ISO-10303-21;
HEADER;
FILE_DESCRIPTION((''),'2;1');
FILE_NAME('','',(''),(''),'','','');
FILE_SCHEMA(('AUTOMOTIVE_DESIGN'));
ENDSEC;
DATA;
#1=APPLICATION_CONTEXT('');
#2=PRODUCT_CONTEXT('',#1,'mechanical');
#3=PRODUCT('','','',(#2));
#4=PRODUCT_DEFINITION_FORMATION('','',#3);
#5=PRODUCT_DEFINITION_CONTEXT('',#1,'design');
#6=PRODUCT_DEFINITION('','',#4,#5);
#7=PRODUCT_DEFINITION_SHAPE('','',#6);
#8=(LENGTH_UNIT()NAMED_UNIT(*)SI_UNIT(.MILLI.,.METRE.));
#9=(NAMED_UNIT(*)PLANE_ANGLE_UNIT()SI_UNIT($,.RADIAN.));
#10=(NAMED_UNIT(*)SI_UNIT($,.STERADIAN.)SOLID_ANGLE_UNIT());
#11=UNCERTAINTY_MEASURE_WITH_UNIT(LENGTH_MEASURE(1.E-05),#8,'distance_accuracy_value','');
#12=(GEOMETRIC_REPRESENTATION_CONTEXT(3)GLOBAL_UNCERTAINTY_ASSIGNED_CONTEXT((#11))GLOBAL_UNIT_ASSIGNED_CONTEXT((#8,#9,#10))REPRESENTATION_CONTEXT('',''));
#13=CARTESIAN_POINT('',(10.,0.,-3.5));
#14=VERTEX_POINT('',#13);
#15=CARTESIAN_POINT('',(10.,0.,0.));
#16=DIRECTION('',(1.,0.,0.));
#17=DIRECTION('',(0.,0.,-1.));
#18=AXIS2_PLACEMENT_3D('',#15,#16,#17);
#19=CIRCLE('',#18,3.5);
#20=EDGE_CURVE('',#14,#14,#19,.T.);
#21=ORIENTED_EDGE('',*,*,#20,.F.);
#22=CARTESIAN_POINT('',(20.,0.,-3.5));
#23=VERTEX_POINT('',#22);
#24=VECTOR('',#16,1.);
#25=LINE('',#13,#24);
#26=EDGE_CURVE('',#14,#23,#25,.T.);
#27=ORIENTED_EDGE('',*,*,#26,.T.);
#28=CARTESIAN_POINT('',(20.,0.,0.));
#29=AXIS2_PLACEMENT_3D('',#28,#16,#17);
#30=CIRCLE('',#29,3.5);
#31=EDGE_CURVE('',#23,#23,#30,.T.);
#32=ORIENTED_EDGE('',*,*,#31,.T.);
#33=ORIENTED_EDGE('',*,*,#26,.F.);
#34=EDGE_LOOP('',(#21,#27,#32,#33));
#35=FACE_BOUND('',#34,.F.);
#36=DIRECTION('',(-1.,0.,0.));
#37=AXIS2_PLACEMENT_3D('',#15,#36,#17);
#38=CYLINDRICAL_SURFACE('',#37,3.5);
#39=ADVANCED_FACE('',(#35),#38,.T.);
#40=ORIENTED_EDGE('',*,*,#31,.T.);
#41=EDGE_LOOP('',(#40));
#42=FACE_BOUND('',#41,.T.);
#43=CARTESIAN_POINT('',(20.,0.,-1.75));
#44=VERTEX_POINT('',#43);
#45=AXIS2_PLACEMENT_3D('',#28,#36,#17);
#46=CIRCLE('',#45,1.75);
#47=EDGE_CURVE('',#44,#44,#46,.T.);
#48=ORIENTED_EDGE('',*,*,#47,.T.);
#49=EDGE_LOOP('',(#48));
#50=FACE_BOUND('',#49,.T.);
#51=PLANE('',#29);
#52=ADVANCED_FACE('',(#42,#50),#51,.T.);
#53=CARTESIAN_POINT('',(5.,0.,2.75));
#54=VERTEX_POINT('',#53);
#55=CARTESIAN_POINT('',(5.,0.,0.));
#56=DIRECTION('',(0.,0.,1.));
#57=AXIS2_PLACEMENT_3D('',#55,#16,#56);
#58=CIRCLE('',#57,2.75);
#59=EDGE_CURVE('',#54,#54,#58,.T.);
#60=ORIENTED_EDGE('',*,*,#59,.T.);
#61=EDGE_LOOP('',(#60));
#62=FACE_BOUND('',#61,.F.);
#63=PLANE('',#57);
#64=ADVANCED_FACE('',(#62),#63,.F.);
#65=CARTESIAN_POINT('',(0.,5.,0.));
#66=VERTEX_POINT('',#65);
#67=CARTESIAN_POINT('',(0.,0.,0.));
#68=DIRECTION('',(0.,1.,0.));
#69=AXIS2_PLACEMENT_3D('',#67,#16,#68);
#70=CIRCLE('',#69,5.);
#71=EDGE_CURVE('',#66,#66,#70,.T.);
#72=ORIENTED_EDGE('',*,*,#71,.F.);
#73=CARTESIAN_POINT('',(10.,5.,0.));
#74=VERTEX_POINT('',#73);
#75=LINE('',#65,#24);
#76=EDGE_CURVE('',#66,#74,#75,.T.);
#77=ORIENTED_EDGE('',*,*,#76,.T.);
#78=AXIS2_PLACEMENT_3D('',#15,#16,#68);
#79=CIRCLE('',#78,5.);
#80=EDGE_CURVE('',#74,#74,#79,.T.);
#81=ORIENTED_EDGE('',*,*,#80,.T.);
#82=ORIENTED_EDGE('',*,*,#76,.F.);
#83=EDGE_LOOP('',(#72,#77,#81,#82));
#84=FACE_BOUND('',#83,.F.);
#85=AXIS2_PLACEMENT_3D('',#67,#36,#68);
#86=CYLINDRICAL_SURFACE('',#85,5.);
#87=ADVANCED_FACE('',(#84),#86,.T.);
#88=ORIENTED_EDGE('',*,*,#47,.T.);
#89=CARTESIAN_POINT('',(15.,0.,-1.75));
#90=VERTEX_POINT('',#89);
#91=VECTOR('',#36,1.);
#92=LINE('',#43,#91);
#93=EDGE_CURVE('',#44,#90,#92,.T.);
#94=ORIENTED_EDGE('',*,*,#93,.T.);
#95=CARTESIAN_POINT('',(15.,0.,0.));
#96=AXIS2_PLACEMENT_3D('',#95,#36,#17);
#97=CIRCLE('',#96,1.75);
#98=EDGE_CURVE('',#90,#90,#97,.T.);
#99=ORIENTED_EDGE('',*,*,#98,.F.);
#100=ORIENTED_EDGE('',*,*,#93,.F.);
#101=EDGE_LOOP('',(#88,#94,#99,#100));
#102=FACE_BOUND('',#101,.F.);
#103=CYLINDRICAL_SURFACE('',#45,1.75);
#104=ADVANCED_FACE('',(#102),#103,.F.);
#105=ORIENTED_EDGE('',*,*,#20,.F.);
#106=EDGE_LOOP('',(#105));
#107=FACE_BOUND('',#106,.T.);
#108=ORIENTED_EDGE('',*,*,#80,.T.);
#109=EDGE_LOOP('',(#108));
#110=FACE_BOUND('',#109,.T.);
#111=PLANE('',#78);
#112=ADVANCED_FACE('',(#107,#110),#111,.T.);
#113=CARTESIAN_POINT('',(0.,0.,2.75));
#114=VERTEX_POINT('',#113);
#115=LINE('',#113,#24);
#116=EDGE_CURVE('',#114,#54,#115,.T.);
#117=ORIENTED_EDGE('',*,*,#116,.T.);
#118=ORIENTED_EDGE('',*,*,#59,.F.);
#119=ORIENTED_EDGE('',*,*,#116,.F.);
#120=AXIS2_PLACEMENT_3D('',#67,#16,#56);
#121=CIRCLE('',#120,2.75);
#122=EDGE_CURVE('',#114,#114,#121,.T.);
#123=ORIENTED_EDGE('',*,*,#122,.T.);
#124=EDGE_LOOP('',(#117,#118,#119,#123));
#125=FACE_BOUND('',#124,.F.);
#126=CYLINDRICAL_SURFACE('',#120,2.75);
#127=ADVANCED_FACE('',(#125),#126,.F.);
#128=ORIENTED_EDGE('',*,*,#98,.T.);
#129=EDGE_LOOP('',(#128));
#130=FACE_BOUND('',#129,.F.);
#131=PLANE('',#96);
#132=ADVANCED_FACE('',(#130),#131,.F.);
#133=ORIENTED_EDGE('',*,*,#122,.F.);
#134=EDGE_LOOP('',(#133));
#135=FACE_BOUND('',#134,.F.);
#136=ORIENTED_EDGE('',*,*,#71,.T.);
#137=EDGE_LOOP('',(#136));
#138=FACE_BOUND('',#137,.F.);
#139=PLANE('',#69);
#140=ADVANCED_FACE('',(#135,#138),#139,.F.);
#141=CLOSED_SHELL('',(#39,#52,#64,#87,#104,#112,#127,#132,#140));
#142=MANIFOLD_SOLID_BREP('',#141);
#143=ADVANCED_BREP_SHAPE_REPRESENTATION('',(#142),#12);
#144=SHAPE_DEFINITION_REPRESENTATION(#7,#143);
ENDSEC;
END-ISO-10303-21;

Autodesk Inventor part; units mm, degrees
ref_plane "YZ Plane" through (0, 0, 0) normal (1, 0, 0) x (0, 1, 0)
ref_plane "XZ Plane" through (0, 0, 0) normal (0, 1, 0) x (-1, 0, 0)
ref_plane "XY Plane" through (0, 0, 0) normal (0, 0, 1) x (1, 0, 0)
sketch "Sketch4" plane through (0, 0, 0) normal (1, 0, 0) x (0, 1, 0)
  circle A0 centre (0, 0) radius 2.75
  circle A1 centre (0, 0) radius 5
  dimension "d19" = 5.5
  dimension "d20" = 10
extrude "Extrusion2" add sketch "Sketch4" along normal blind 10 contours A0 | A1
sketch "Sketch5" plane through (0, 0, 0) normal (-1, 0, 0) x (0, 0, 1)
  circle A0 centre (0, 0) radius 2.75
  dimension "d23" = 5.5
hole "Hole3" at (0, 0, 0) direction (1, 0, 0) diameter 5.5 depth 5
sketch "Sketch6" plane through (10, 0, 0) normal (1, 0, 0) x (0, 0, -1)
  circle A0 centre (0, 0) radius 3.5
  dimension "d31" = 7
extrude "Extrusion3" add sketch "Sketch6" along normal blind 10
sketch "Sketch7" plane through (20, 0, 0) normal (1, 0, 0) x (0, 0, -1)
  circle A0 centre (0, 0) radius 3
  dimension "d34" = 6
hole "Hole4" at (20, 0, 0) direction (-1, 0, 0) diameter 3.5 depth 5
properties part number "acople"
